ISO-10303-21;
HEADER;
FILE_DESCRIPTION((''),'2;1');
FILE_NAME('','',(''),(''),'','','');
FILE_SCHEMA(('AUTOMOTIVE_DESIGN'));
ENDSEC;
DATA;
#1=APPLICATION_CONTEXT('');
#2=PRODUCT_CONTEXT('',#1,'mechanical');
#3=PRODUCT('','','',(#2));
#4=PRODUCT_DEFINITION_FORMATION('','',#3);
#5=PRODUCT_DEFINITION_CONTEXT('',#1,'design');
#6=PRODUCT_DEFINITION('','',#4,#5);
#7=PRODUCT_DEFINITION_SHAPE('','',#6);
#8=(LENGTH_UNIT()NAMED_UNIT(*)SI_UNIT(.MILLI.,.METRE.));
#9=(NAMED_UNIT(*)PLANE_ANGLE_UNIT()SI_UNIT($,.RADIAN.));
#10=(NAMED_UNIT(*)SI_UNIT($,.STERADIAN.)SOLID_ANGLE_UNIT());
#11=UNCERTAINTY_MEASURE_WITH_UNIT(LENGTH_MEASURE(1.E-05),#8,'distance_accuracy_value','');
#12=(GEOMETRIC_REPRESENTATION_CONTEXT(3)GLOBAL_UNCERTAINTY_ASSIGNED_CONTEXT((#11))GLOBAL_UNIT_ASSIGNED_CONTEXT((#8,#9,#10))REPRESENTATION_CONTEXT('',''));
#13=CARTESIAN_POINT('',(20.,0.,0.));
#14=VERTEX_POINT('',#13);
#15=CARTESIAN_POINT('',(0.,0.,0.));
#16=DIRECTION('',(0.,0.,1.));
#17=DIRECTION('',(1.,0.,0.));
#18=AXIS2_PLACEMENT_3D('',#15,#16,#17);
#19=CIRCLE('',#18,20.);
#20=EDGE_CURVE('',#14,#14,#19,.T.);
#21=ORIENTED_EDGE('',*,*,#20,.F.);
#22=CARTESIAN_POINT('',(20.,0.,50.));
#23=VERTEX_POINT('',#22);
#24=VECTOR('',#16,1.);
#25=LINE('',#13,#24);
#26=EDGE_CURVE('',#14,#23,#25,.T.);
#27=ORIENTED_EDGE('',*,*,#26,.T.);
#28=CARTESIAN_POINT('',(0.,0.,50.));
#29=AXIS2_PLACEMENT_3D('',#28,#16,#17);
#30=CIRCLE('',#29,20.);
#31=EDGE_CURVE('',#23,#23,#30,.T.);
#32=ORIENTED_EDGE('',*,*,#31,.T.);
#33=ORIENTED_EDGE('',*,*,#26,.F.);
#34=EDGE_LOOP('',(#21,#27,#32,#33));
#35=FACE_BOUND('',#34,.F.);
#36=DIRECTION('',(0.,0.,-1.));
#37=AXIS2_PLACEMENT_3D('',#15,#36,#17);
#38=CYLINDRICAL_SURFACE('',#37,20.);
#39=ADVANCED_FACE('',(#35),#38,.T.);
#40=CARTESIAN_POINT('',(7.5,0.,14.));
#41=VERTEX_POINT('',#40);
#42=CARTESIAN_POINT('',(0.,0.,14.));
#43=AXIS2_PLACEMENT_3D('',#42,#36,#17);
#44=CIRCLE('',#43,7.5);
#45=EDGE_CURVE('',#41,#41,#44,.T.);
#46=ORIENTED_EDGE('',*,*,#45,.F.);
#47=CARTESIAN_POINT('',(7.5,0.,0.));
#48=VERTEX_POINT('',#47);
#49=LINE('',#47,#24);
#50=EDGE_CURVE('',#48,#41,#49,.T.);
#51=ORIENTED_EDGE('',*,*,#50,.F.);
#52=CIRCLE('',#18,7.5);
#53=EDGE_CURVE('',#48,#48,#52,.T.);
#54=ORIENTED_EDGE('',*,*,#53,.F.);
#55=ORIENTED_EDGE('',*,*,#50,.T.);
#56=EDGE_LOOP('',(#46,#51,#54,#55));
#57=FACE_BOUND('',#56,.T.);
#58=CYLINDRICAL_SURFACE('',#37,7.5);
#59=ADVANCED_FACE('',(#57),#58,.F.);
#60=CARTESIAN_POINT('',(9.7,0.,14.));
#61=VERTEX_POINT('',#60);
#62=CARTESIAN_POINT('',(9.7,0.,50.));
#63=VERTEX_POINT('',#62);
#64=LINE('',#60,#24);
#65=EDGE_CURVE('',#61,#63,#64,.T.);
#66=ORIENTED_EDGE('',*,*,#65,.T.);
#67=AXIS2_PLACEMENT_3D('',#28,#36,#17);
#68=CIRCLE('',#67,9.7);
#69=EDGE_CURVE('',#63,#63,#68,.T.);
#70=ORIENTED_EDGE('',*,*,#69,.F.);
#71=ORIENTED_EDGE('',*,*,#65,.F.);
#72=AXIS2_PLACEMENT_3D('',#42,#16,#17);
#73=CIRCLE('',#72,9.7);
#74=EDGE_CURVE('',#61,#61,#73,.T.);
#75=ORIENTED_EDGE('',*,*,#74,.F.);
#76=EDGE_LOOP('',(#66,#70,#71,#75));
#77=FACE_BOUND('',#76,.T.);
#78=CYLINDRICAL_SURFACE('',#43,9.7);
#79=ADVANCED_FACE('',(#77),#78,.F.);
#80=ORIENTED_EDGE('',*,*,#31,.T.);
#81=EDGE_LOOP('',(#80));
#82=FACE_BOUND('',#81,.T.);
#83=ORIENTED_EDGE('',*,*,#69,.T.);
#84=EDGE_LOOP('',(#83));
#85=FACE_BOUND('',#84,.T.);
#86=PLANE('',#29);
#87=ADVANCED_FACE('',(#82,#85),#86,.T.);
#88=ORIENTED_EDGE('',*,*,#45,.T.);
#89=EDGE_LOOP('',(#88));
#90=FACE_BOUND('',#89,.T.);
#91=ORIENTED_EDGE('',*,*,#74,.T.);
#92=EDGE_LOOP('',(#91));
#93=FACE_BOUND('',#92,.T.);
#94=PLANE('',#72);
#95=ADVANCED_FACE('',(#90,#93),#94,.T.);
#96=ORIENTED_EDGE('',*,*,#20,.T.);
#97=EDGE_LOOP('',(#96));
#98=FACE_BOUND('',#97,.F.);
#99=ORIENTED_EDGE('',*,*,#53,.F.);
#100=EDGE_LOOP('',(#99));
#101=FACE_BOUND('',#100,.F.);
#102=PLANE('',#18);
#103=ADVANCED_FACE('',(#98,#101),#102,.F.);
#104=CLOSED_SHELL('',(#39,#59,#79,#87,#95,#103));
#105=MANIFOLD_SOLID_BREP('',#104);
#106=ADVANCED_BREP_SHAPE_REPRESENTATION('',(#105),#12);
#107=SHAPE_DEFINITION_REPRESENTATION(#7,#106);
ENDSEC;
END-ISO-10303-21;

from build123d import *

# Parameters (mm, degrees)
CYLINDER_R     = 9.7
CYLINDER_DEPTH = 50
TUBE_R         = 20
TUBE_R_2       = 7.5
TUBE_DEPTH     = 50


with BuildPart() as bearing_hole_cutter:
    # Cylinder → Cylinder (new body)
    with BuildSketch(Plane.XY.offset(14)):
        Circle(CYLINDER_R)
    extrude(amount=CYLINDER_DEPTH)


with BuildPart() as cut:
    # Tube → Tube (new body)
    with BuildSketch(Plane.XY):
        Circle(TUBE_R)
        Circle(TUBE_R_2, mode=Mode.SUBTRACT)
    extrude(amount=TUBE_DEPTH)

    # Cut: cut Bearing Hole cutter
    add(bearing_hole_cutter.part, mode=Mode.SUBTRACT)


solid = cut.part
